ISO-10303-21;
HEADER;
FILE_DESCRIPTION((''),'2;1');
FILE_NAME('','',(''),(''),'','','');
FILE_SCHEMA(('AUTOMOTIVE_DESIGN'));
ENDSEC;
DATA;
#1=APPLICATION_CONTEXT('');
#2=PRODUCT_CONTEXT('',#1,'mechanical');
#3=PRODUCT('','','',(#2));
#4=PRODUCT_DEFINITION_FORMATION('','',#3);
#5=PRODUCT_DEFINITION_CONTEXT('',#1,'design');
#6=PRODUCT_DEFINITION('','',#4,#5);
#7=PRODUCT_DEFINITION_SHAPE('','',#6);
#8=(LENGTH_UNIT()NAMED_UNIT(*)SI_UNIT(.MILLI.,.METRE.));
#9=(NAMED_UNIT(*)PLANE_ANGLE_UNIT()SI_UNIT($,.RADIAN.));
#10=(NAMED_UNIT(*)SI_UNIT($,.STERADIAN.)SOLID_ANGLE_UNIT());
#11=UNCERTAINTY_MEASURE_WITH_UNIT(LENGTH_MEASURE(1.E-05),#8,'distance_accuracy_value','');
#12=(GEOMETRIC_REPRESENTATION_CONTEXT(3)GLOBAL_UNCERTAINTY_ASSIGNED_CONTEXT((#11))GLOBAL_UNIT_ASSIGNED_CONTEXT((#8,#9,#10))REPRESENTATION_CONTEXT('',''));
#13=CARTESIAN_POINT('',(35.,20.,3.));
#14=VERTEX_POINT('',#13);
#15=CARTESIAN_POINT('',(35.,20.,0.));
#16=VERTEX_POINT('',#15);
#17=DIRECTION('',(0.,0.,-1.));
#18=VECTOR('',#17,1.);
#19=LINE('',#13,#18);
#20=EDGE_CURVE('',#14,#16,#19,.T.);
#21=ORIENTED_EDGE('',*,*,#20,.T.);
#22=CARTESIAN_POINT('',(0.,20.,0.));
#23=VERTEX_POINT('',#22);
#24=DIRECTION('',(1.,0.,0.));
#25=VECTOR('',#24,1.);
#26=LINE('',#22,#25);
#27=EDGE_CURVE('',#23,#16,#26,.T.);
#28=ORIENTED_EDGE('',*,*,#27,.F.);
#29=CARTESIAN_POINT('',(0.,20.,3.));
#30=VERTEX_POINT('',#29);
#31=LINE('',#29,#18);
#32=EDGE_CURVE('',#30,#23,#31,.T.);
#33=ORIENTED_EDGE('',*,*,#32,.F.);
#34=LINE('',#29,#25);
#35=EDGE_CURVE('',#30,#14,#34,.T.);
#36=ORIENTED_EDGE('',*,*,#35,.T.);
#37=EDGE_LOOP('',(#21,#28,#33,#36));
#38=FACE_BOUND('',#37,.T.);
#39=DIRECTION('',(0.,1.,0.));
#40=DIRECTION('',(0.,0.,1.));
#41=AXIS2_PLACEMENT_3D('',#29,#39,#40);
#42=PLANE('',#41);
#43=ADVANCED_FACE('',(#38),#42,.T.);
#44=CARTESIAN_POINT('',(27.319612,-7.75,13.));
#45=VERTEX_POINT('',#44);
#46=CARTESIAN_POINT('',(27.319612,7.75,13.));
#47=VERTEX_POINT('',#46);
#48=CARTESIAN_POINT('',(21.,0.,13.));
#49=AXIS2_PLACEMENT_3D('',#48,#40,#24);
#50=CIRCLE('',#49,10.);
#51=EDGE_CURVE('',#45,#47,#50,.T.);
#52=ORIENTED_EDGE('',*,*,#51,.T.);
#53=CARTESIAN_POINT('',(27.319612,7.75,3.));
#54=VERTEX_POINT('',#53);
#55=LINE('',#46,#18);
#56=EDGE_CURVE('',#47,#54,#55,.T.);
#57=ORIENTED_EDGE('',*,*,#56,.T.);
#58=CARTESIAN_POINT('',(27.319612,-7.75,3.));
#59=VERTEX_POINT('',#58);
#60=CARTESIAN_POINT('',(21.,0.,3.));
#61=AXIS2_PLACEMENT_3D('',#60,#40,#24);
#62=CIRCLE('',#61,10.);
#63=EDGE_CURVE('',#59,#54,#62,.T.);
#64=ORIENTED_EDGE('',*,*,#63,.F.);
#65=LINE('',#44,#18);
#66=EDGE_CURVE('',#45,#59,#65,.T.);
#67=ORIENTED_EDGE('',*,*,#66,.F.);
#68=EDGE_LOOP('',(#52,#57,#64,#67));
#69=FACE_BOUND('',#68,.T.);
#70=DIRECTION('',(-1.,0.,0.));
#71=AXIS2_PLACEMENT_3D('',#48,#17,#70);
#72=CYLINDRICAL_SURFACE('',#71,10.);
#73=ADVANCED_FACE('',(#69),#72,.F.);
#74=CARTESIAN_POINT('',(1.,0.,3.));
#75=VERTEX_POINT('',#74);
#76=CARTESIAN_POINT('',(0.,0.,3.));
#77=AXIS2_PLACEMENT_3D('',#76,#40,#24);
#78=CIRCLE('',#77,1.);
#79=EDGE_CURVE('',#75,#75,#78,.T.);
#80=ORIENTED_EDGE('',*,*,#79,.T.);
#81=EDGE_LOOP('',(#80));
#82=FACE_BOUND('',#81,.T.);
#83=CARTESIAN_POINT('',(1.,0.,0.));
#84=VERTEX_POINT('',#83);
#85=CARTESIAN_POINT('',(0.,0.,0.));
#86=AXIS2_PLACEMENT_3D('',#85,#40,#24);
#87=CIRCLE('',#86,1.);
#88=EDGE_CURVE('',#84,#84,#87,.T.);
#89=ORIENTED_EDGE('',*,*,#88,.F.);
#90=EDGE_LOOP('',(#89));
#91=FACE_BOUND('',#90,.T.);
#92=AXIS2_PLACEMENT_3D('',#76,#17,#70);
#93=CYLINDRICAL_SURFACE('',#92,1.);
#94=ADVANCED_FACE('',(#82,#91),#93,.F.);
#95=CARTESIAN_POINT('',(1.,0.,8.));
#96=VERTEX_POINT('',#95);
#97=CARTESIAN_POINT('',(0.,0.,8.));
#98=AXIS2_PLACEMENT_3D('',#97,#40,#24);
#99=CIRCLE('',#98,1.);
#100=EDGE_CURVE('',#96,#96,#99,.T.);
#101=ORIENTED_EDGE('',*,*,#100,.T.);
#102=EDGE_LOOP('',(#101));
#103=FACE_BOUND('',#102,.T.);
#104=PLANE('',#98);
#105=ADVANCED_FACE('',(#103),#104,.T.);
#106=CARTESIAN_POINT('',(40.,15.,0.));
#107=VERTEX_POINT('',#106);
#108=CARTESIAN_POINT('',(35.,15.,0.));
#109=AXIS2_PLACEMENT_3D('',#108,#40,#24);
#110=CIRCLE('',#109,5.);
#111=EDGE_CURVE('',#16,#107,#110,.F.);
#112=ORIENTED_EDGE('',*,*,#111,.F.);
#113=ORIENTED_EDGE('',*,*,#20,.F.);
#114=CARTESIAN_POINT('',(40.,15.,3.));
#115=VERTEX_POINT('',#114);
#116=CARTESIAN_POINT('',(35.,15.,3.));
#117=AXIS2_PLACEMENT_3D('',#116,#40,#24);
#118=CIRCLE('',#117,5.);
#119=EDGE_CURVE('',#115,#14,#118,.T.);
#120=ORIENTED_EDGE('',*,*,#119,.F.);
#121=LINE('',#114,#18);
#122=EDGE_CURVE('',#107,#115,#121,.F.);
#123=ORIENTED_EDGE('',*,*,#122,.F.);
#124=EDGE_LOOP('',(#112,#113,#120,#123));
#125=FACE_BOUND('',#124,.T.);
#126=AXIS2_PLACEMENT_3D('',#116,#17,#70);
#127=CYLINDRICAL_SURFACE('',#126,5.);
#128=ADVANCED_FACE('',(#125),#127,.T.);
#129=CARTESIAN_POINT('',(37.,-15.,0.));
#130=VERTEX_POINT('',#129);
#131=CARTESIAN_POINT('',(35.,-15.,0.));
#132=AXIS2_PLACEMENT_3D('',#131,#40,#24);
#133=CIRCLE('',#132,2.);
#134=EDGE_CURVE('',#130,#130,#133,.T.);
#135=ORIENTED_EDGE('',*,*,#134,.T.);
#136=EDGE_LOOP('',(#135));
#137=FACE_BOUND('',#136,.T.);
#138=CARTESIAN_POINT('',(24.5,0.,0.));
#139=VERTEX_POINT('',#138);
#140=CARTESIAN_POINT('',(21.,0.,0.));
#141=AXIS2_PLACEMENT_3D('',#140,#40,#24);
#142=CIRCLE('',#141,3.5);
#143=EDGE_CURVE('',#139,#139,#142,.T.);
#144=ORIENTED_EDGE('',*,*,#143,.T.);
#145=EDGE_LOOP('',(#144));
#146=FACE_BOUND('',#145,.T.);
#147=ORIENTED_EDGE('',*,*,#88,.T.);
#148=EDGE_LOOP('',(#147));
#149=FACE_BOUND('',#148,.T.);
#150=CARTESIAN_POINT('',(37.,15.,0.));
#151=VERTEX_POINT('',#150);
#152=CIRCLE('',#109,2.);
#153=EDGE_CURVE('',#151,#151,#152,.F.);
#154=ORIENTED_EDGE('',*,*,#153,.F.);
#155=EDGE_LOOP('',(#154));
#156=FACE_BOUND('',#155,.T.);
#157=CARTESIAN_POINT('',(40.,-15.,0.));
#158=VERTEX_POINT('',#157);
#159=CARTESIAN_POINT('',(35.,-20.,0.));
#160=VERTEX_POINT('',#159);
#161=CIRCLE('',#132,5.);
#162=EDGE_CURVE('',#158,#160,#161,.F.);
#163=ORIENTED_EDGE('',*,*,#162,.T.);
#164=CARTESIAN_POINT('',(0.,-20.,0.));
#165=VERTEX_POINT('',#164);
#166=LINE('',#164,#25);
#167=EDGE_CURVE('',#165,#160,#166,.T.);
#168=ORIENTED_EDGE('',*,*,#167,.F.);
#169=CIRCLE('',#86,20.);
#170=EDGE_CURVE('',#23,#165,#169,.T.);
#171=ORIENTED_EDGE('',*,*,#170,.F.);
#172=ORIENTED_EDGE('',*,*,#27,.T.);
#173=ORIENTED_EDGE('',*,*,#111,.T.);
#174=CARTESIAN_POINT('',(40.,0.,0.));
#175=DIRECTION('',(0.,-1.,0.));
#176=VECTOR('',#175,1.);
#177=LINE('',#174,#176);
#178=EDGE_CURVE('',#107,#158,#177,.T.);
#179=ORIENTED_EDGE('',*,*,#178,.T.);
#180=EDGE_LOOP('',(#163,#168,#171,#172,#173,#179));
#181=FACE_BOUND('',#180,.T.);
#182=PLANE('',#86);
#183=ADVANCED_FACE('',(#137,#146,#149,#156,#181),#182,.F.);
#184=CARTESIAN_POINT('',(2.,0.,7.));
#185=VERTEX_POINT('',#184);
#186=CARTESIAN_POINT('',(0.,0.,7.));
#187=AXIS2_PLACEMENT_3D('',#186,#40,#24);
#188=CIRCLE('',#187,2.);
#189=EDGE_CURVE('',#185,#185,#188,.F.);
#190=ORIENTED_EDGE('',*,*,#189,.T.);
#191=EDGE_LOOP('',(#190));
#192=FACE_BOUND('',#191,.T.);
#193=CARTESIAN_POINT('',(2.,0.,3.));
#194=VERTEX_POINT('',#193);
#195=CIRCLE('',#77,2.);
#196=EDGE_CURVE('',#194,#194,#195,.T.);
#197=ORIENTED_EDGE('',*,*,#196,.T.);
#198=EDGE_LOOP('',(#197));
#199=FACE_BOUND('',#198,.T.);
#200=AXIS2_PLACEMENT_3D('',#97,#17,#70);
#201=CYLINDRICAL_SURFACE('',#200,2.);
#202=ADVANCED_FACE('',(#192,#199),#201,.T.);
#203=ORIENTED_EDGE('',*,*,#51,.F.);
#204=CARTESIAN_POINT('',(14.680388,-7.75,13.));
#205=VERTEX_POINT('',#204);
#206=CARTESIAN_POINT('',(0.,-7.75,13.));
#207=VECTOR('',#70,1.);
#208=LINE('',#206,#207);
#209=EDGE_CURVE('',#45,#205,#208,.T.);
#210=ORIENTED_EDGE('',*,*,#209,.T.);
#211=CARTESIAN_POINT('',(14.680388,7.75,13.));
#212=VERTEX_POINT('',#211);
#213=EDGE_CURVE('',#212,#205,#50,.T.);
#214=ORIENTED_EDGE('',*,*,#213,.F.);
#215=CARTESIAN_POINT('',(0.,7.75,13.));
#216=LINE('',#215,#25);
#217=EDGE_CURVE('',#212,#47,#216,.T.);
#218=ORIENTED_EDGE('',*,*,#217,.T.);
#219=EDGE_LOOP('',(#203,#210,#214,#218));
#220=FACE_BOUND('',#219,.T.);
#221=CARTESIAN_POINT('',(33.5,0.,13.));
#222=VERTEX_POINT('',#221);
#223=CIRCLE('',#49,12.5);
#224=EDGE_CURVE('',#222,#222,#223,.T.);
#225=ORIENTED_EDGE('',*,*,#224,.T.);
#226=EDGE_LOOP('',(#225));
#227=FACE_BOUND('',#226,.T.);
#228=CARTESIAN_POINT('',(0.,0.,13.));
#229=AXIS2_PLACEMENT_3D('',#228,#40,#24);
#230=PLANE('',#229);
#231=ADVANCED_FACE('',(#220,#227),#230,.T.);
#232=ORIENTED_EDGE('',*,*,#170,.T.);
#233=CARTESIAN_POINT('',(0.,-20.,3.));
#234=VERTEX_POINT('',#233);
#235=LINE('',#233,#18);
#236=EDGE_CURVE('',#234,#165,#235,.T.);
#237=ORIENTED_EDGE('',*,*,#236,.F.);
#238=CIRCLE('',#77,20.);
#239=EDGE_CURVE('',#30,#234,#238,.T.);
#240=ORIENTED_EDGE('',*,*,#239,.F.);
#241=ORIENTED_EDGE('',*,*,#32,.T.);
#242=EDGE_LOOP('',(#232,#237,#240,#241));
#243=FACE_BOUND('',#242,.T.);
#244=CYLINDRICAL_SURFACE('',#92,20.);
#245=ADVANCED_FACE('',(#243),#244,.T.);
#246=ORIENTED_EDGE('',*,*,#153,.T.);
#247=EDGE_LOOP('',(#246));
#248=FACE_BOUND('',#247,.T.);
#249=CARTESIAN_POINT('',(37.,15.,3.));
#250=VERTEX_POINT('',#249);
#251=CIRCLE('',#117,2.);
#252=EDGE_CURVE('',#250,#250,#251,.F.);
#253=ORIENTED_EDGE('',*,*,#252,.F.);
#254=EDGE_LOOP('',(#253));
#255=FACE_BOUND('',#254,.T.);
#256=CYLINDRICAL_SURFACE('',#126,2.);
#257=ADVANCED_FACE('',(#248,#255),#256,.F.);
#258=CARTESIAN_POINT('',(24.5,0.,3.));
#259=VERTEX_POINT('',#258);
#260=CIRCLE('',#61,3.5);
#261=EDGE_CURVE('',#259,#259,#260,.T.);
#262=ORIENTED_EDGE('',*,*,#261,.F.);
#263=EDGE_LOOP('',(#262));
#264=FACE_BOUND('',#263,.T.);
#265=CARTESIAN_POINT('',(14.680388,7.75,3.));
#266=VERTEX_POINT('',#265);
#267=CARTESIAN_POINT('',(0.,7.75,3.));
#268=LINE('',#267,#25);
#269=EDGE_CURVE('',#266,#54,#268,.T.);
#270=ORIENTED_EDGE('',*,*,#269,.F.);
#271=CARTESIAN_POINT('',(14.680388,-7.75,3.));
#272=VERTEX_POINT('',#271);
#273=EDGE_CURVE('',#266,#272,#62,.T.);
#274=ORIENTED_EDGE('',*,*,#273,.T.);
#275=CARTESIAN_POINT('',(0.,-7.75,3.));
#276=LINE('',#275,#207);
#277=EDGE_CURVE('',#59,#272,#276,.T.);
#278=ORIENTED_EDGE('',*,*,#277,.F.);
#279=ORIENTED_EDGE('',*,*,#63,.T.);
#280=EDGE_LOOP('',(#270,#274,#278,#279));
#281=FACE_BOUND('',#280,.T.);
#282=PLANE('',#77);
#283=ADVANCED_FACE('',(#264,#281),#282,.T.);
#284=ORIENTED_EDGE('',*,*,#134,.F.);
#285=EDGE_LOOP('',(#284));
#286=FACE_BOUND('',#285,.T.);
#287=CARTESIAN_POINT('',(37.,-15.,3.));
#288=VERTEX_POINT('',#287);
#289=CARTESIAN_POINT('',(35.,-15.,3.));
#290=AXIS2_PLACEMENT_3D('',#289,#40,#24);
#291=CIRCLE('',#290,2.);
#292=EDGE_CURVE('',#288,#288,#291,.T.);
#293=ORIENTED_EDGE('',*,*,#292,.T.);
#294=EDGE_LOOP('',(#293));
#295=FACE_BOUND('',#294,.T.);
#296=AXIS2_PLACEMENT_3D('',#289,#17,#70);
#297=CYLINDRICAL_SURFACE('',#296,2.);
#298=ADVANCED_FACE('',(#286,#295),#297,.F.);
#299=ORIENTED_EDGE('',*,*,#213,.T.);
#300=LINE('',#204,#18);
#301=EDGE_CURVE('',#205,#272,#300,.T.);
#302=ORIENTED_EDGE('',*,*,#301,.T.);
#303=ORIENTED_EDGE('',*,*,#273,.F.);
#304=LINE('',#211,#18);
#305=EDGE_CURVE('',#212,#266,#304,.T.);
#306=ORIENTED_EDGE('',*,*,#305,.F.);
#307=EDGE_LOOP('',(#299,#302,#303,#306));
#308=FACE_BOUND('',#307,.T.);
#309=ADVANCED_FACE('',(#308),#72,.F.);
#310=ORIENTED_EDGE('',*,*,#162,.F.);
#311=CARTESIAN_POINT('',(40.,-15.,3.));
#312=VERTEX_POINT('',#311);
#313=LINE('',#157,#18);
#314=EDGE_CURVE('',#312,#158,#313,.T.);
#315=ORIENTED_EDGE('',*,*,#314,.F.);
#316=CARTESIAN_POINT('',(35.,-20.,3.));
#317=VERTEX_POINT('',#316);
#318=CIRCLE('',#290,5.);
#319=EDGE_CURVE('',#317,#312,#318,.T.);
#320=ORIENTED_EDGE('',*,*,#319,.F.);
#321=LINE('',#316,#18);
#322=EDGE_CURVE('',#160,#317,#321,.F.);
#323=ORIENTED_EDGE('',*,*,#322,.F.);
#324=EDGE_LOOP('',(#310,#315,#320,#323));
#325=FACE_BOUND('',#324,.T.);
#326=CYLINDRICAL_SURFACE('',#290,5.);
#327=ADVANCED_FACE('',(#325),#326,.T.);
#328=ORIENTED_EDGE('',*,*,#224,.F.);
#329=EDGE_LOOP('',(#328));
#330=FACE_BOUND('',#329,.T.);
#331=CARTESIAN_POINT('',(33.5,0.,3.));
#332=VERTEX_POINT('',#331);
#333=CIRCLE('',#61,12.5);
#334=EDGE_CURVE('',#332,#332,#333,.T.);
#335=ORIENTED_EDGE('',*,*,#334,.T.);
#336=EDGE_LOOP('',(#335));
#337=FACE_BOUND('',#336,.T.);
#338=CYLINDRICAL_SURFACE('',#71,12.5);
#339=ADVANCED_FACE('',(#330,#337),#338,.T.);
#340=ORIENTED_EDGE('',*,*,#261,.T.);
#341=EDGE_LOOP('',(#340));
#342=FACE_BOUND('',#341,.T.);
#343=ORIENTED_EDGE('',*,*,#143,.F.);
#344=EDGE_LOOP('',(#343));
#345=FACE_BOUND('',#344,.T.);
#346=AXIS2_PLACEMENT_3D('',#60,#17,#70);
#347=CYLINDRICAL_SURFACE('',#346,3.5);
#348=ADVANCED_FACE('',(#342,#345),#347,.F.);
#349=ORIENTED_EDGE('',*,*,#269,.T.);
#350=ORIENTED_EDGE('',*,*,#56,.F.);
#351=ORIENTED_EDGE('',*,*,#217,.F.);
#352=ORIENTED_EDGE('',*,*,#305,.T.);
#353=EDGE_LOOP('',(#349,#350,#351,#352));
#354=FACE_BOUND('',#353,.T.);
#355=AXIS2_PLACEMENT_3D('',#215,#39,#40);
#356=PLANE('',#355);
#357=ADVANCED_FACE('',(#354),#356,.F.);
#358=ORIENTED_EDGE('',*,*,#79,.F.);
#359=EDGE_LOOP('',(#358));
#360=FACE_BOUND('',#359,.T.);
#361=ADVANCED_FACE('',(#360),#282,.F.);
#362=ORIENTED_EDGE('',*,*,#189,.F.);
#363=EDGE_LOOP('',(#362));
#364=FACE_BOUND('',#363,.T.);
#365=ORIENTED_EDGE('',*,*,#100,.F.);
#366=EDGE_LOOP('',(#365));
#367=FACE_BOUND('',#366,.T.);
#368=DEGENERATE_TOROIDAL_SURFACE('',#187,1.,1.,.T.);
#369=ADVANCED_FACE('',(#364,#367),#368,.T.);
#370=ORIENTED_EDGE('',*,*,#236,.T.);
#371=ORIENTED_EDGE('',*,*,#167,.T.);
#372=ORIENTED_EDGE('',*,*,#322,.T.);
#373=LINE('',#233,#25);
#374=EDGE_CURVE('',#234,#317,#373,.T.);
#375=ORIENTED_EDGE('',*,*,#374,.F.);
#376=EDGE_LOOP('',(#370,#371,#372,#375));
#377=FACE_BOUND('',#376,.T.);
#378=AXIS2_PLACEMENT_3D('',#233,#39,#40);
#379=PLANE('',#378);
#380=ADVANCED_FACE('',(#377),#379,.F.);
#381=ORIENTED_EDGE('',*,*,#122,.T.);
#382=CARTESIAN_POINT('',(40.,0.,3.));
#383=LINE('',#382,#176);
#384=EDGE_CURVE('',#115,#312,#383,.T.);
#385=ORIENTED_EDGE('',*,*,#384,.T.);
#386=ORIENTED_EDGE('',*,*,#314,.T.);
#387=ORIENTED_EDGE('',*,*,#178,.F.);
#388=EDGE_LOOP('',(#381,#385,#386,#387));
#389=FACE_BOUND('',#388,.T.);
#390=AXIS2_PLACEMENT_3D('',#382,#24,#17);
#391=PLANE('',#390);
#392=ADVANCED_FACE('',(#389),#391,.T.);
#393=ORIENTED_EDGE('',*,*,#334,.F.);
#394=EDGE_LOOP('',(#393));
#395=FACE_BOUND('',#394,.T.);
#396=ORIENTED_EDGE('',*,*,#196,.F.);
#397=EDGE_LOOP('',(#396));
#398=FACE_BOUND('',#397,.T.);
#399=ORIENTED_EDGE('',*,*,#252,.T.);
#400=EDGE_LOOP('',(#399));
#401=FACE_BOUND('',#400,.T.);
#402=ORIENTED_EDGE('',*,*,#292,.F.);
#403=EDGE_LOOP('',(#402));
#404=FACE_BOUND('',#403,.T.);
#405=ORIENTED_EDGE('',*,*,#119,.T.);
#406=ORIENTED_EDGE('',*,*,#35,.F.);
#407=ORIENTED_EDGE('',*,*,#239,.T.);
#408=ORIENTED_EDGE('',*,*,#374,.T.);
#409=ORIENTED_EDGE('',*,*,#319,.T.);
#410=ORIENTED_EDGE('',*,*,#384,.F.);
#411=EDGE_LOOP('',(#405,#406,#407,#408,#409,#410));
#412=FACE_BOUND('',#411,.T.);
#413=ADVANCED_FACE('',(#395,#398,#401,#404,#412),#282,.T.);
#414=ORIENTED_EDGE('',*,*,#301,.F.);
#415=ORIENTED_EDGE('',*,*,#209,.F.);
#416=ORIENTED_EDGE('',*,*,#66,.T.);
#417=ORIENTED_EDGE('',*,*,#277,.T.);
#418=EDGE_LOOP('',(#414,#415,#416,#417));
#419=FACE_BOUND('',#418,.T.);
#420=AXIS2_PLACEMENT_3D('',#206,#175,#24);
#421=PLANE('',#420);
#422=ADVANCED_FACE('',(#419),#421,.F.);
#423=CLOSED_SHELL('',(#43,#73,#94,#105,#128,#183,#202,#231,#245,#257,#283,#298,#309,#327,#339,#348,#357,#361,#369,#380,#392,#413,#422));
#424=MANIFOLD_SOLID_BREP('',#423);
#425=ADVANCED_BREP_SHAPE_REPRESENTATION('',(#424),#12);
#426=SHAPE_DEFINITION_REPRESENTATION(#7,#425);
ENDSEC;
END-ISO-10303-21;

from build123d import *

# Parameters (mm, degrees)
SKIZZE1_R                       = 3.5
SKIZZE1_R_2                     = 1
SKIZZE1_R_3                     = 2
AUFSATZ_LINEAR_AUSTRAGEN1_DEPTH = 3
VERRUNDUNG1_R                   = 5
SKIZZE2_R                       = 12.5
SKIZZE2_R_2                     = 10
AUFSATZ_LINEAR_AUSTRAGEN2_DEPTH = 10
SKIZZE3_R                       = 2
AUFSATZ_LINEAR_AUSTRAGEN3_DEPTH = 5
VERRUNDUNG2_R                   = 1


with BuildPart() as part:
    # Skizze1 → Aufsatz-Linear austragen1 (new body)
    with BuildSketch(Plane.XY):
        with BuildLine():
            ThreePointArc((0, 20), (-20, 0), (0, -20))
            Line((0, -20), (40, -20))
            Line((40, -20), (40, 20))
            Line((40, 20), (0, 20))
        make_face()
        with Locations((21, 0)):
            Circle(SKIZZE1_R, mode=Mode.SUBTRACT)
        Circle(SKIZZE1_R_2, mode=Mode.SUBTRACT)
        with Locations((35, 15)):
            Circle(SKIZZE1_R_3, mode=Mode.SUBTRACT)
        with Locations((35, -15)):
            Circle(SKIZZE1_R_3, mode=Mode.SUBTRACT)
    extrude(amount=AUFSATZ_LINEAR_AUSTRAGEN1_DEPTH)

    # Verrundung1
    verrundung1_edges = [part.edges().sort_by_distance(p)[0] for p in [
        (40, 20, 1.5),
        (40, -20, 1.5),
    ]]
    fillet(verrundung1_edges, radius=VERRUNDUNG1_R)

    # Skizze2 → Aufsatz-Linear austragen2 (add)
    # profile 1 of 3: a face of its own
    with BuildSketch(Plane.XY.offset(3)):
        with Locations((21, 0)):
            Circle(SKIZZE2_R)
        with Locations((21, 0)):
            Circle(SKIZZE2_R_2, mode=Mode.SUBTRACT)
    # profile 2 of 3: a face of its own
    with BuildSketch(Plane.XY.offset(3)):
        with BuildLine():
            Line((21, -7.75), (14.68038767, -7.75))
            ThreePointArc((14.68038767, -7.75), (21, -10), (27.31961233, -7.75))
            Line((27.31961233, -7.75), (21, -7.75))
        make_face()
    # profile 3 of 3: a face of its own
    with BuildSketch(Plane.XY.offset(3)):
        with BuildLine():
            ThreePointArc((27.31961233, 7.75), (21, 10), (14.68038767, 7.75))
            Line((14.68038767, 7.75), (21, 7.75))
            Line((21, 7.75), (27.31961233, 7.75))
        make_face()
    extrude(amount=AUFSATZ_LINEAR_AUSTRAGEN2_DEPTH)

    # Skizze3 → Aufsatz-Linear austragen3 (add)
    with BuildSketch(Plane.XY.offset(3)):
        Circle(SKIZZE3_R)
    extrude(amount=AUFSATZ_LINEAR_AUSTRAGEN3_DEPTH)

    # Verrundung2
    verrundung2_edges = [part.edges().sort_by_distance(p)[0] for p in [
        (-2, 0, 8),
    ]]
    fillet(verrundung2_edges, radius=VERRUNDUNG2_R)


solid = part.part
